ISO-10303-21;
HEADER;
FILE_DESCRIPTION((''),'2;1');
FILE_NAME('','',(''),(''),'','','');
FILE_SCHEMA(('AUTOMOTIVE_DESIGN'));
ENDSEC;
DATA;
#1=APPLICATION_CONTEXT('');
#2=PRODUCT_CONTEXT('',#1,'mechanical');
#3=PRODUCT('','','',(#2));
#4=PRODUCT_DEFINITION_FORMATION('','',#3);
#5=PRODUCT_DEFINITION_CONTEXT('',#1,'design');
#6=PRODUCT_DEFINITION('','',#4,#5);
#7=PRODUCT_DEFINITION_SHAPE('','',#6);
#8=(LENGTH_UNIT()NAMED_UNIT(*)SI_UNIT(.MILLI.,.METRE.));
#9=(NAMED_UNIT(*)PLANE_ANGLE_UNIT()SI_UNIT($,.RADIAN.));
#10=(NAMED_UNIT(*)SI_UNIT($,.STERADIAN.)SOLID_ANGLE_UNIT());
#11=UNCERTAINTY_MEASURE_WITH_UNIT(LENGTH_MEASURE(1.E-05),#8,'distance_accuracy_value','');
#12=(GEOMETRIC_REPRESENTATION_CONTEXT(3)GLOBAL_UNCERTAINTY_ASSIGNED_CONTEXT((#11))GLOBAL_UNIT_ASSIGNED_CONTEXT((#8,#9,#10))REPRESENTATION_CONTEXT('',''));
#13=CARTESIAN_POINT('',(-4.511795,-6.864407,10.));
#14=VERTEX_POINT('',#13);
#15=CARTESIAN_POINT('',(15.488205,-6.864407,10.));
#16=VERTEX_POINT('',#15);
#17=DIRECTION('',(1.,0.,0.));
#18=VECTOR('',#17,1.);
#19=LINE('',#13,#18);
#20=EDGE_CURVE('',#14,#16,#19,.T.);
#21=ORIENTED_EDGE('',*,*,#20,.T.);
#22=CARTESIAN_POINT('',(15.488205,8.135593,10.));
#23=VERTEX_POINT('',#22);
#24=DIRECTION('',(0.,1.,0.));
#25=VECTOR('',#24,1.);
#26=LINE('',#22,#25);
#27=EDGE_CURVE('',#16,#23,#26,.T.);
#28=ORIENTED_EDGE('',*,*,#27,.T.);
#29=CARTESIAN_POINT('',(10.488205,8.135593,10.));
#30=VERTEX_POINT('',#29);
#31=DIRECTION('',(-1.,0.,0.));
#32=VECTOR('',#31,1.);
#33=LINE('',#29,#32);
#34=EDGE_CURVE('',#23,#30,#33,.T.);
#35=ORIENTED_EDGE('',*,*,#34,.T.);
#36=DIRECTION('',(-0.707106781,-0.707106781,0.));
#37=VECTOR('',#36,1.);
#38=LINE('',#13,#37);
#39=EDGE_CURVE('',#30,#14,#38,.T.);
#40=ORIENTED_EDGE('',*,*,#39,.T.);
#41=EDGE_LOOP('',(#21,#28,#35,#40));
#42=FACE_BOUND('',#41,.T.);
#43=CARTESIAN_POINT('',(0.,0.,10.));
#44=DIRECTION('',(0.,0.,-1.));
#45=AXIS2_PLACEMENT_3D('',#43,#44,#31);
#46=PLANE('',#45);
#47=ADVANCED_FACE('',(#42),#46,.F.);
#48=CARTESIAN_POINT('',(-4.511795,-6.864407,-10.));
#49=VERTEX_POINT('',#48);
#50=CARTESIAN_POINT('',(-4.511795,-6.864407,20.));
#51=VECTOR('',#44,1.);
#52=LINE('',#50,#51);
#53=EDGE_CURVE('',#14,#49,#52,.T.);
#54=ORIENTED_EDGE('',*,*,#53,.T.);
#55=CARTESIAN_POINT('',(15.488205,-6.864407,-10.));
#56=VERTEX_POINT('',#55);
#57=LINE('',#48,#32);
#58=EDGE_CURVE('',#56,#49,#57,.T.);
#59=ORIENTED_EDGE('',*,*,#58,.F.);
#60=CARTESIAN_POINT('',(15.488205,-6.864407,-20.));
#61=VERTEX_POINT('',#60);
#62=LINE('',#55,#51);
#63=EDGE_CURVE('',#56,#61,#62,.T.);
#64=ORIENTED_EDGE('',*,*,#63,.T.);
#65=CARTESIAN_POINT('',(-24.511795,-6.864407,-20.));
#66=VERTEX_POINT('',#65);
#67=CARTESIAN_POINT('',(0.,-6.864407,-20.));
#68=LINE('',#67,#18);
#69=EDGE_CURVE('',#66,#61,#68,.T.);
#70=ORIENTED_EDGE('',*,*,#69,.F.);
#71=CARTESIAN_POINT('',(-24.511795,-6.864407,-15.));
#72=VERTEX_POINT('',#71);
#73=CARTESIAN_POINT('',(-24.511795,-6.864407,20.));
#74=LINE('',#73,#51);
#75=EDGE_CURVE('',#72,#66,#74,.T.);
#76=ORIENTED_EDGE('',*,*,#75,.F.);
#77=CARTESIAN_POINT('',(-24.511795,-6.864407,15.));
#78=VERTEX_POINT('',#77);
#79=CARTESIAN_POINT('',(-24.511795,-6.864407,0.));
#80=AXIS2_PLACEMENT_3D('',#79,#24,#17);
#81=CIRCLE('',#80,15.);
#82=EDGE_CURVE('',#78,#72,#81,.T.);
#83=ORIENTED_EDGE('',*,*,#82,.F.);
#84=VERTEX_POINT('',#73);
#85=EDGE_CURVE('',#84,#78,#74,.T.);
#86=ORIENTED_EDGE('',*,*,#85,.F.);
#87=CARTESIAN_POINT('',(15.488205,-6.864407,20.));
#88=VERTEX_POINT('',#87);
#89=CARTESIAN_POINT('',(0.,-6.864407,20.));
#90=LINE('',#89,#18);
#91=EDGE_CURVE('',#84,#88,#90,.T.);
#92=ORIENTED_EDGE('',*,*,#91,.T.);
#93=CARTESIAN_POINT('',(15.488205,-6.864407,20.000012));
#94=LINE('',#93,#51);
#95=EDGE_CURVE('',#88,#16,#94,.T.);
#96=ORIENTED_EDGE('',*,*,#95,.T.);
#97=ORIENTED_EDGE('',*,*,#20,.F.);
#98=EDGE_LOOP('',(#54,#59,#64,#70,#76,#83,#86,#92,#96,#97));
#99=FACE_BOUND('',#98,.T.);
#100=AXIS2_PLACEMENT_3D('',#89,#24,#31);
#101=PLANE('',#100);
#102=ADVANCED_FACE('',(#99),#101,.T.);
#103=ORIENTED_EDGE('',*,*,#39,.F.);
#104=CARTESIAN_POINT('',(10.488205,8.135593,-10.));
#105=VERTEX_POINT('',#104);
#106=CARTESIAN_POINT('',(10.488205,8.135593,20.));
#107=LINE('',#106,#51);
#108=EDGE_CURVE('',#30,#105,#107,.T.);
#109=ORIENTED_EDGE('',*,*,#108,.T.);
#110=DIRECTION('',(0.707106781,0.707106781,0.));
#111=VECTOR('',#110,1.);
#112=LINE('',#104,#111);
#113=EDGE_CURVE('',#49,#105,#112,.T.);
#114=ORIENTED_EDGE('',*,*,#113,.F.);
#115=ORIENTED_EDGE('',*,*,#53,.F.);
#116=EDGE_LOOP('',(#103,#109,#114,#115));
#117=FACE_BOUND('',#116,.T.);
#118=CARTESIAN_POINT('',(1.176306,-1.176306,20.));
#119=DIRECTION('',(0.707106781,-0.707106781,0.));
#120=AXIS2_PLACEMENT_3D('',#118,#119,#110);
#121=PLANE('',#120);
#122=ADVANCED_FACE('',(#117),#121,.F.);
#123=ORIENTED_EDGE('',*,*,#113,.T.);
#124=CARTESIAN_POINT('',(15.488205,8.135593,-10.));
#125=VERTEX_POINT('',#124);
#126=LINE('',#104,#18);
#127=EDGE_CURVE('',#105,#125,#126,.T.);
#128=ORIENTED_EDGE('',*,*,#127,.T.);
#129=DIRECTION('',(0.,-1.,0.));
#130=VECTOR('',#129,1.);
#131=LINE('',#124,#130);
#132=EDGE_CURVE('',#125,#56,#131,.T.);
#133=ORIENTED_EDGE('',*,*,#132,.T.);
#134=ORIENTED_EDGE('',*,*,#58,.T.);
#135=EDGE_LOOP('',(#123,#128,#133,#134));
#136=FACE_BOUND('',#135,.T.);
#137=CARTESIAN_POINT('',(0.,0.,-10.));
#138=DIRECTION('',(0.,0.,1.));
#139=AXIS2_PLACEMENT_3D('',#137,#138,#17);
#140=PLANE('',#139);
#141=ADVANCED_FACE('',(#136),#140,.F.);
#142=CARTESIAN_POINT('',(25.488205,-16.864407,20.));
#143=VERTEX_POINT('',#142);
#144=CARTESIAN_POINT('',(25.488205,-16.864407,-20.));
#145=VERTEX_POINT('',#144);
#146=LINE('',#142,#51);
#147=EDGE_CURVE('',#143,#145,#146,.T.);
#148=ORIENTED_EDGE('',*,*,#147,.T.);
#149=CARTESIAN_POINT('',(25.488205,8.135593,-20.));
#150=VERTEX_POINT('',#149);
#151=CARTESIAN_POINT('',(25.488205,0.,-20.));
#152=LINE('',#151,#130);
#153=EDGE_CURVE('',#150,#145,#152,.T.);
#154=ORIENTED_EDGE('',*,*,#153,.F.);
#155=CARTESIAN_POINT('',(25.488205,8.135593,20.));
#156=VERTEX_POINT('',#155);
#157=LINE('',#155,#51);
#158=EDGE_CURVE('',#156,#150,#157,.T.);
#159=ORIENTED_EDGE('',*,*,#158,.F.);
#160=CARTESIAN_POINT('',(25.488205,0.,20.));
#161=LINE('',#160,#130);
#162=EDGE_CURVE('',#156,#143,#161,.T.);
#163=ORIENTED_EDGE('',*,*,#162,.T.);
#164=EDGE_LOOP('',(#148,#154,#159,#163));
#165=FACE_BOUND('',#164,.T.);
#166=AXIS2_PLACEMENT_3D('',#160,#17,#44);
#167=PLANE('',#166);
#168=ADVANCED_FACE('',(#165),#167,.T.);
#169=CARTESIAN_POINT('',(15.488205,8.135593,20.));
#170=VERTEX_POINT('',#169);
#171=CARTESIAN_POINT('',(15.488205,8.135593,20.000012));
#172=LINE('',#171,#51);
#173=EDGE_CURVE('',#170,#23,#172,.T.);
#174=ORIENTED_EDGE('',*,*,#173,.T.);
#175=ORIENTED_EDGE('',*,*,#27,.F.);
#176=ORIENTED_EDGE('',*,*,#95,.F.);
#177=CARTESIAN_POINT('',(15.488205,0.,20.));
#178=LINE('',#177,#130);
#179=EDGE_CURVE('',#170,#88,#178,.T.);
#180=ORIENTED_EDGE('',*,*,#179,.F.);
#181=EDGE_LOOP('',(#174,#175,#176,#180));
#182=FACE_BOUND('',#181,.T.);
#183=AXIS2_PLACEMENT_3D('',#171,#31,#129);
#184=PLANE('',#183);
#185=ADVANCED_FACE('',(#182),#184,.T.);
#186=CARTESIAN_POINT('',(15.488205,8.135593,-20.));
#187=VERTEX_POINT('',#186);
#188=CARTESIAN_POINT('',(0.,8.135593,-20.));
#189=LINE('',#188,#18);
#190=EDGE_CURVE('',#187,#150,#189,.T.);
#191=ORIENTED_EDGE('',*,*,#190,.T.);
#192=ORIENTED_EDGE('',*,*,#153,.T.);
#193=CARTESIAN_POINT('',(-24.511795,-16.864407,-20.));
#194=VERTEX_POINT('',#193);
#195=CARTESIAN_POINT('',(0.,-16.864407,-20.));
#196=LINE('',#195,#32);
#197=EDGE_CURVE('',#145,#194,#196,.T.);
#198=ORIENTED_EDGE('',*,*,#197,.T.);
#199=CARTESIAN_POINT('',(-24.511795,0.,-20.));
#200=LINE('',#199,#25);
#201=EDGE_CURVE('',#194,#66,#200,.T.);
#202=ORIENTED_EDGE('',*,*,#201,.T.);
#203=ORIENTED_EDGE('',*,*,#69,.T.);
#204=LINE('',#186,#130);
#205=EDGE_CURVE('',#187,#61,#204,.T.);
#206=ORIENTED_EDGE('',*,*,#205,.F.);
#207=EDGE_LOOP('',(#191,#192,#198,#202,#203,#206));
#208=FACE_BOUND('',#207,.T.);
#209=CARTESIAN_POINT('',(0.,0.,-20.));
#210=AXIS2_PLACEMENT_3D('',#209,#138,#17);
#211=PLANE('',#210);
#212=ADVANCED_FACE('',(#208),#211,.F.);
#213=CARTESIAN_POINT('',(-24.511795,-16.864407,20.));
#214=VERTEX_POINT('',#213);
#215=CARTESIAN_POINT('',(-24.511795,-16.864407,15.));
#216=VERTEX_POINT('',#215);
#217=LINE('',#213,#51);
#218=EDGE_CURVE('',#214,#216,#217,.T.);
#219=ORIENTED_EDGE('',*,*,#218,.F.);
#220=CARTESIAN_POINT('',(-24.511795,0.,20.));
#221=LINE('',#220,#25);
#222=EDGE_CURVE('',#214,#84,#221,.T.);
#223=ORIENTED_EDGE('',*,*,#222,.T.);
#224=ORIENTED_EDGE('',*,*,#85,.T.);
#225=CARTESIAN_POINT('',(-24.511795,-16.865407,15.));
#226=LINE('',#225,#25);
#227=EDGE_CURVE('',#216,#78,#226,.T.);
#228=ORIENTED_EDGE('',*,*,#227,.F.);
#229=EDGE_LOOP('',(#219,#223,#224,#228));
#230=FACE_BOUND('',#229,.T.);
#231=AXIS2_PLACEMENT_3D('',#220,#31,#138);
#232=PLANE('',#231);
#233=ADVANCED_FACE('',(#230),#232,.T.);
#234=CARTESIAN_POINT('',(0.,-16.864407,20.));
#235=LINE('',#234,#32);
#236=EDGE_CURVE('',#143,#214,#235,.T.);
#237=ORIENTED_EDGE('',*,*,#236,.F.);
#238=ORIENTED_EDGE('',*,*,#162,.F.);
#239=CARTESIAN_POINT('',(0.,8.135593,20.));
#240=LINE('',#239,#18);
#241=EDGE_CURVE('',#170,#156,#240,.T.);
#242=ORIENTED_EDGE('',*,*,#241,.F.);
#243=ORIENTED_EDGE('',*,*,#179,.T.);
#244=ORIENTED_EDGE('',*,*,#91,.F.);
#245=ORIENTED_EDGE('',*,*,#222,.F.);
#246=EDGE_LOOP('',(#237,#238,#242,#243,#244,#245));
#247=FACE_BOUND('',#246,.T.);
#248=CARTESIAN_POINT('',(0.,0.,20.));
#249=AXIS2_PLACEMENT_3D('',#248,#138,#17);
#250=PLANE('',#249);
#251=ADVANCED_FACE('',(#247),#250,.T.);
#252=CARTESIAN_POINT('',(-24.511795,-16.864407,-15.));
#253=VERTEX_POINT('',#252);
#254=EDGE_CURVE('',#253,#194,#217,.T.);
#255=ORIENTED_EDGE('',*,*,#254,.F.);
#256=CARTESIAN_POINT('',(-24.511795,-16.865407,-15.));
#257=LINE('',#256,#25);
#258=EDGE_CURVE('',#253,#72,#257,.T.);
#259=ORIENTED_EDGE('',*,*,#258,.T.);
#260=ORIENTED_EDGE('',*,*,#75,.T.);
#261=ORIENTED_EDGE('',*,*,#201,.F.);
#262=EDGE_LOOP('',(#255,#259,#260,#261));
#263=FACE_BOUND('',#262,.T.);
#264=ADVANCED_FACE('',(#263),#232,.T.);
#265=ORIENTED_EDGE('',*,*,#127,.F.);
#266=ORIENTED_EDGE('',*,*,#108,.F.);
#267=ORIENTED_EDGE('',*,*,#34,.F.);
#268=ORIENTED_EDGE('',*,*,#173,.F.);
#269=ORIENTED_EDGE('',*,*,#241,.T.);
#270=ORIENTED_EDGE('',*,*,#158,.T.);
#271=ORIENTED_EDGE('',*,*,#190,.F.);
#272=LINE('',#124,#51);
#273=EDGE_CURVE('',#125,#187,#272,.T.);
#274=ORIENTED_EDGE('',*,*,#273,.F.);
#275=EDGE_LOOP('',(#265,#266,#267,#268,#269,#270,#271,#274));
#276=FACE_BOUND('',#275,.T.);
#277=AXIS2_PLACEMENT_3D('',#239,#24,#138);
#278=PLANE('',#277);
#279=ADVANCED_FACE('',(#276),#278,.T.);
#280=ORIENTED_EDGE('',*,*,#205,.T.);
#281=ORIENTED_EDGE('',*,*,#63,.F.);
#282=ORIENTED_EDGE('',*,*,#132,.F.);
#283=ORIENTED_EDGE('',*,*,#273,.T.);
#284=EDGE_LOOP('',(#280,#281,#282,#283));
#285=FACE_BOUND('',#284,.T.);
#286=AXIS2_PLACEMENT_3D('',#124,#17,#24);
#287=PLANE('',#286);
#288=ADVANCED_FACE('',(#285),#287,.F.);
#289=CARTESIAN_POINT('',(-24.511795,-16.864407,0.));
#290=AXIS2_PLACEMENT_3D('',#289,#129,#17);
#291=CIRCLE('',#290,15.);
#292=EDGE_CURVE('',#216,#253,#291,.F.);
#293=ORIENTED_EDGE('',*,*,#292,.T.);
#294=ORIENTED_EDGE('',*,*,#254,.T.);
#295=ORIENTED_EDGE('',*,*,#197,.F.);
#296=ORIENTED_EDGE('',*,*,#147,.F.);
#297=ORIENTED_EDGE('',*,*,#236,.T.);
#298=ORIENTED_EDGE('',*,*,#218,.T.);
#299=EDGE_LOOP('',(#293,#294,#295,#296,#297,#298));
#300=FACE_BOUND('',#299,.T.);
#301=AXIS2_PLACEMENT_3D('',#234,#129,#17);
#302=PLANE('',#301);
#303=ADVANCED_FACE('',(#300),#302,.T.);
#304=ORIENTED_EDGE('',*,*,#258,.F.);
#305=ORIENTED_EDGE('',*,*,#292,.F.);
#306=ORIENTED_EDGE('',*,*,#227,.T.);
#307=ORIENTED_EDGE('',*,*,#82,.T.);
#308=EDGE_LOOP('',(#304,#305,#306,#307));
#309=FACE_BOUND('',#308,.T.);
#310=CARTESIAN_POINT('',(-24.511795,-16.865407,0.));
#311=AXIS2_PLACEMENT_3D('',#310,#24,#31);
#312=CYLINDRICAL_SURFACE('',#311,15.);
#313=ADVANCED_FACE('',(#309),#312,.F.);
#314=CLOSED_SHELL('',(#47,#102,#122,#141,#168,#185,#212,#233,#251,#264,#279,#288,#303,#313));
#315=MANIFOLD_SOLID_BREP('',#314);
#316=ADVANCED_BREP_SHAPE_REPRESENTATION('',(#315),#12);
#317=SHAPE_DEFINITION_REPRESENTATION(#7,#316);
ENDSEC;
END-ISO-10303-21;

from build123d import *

# Parameters (mm, degrees)
BOSS_EXTRUDE1_DEPTH     = 20
CUT_EXTRUDE1_DEPTH      = 1
CUT_EXTRUDE1_DEPTH_BACK = 10
CUT_EXTRUDE2_DEPTH      = 10
CUT_EXTRUDE3_REACH      = 12


with BuildPart() as part:
    # Sketch1 → Boss-Extrude1 (new body, symmetric)
    with BuildSketch(Plane.XY):
        Polygon((-4.511794911, -6.86440678), (15.488205089, -6.86440678), (15.488205089, 8.13559322), (25.488205089, 8.13559322), (25.488205089, -16.86440678), (-24.511794911, -16.86440678), (-24.511794911, -6.86440678), align=None)
        Polygon((10.488205089, 8.13559322), (-4.511794911, -6.86440678), (15.488205089, -6.86440678), (15.488205089, 8.13559322), align=None)
    extrude(amount=BOSS_EXTRUDE1_DEPTH, both=True)

    # Sketch2 → Cut-Extrude1 (cut, two sides)
    with BuildSketch(Plane.XY.offset(20)) as cut_extrude1_sk:
        Polygon((-4.511794911, -6.86440678), (15.488205089, -6.86440678), (15.488205089, 8.13559322), (10.488205089, 8.13559322), align=None)
    extrude(amount=CUT_EXTRUDE1_DEPTH, mode=Mode.SUBTRACT)
    extrude(cut_extrude1_sk.sketch, amount=-CUT_EXTRUDE1_DEPTH_BACK, mode=Mode.SUBTRACT)

    # Sketch3 → Cut-Extrude2 (cut)
    with BuildSketch(Plane(origin=(0, 0, -20), x_dir=(-1, 0, 0), z_dir=(0, 0, -1))):
        Polygon((4.511794911, -6.86440678), (-15.488205089, -6.86440678), (-15.488205089, 8.13559322), (-10.488205089, 8.13559322), align=None)
    extrude(amount=-CUT_EXTRUDE2_DEPTH, mode=Mode.SUBTRACT)

    # Sketch4 → Cut-Extrude3 (cut, up to next)
    with BuildSketch(Plane(origin=(0, -6.86440678, 0), x_dir=(1, 0, 0), z_dir=(0, 1, 0)), mode=Mode.PRIVATE) as cut_extrude3_sk1:
        with BuildLine():
            Line((-24.511794911, 15), (-24.511794911, -15))
            ThreePointArc((-24.511794911, -15), (-9.511794911, 0), (-24.511794911, 15))
        make_face()
    cut_extrude3_tool1 = extrude(cut_extrude3_sk1.sketch, amount=-CUT_EXTRUDE3_REACH, mode=Mode.PRIVATE) & part.part
    add(cut_extrude3_tool1.solids().sort_by_distance((-18.145597, -6.864407, 0))[0], mode=Mode.SUBTRACT)


solid = part.part
